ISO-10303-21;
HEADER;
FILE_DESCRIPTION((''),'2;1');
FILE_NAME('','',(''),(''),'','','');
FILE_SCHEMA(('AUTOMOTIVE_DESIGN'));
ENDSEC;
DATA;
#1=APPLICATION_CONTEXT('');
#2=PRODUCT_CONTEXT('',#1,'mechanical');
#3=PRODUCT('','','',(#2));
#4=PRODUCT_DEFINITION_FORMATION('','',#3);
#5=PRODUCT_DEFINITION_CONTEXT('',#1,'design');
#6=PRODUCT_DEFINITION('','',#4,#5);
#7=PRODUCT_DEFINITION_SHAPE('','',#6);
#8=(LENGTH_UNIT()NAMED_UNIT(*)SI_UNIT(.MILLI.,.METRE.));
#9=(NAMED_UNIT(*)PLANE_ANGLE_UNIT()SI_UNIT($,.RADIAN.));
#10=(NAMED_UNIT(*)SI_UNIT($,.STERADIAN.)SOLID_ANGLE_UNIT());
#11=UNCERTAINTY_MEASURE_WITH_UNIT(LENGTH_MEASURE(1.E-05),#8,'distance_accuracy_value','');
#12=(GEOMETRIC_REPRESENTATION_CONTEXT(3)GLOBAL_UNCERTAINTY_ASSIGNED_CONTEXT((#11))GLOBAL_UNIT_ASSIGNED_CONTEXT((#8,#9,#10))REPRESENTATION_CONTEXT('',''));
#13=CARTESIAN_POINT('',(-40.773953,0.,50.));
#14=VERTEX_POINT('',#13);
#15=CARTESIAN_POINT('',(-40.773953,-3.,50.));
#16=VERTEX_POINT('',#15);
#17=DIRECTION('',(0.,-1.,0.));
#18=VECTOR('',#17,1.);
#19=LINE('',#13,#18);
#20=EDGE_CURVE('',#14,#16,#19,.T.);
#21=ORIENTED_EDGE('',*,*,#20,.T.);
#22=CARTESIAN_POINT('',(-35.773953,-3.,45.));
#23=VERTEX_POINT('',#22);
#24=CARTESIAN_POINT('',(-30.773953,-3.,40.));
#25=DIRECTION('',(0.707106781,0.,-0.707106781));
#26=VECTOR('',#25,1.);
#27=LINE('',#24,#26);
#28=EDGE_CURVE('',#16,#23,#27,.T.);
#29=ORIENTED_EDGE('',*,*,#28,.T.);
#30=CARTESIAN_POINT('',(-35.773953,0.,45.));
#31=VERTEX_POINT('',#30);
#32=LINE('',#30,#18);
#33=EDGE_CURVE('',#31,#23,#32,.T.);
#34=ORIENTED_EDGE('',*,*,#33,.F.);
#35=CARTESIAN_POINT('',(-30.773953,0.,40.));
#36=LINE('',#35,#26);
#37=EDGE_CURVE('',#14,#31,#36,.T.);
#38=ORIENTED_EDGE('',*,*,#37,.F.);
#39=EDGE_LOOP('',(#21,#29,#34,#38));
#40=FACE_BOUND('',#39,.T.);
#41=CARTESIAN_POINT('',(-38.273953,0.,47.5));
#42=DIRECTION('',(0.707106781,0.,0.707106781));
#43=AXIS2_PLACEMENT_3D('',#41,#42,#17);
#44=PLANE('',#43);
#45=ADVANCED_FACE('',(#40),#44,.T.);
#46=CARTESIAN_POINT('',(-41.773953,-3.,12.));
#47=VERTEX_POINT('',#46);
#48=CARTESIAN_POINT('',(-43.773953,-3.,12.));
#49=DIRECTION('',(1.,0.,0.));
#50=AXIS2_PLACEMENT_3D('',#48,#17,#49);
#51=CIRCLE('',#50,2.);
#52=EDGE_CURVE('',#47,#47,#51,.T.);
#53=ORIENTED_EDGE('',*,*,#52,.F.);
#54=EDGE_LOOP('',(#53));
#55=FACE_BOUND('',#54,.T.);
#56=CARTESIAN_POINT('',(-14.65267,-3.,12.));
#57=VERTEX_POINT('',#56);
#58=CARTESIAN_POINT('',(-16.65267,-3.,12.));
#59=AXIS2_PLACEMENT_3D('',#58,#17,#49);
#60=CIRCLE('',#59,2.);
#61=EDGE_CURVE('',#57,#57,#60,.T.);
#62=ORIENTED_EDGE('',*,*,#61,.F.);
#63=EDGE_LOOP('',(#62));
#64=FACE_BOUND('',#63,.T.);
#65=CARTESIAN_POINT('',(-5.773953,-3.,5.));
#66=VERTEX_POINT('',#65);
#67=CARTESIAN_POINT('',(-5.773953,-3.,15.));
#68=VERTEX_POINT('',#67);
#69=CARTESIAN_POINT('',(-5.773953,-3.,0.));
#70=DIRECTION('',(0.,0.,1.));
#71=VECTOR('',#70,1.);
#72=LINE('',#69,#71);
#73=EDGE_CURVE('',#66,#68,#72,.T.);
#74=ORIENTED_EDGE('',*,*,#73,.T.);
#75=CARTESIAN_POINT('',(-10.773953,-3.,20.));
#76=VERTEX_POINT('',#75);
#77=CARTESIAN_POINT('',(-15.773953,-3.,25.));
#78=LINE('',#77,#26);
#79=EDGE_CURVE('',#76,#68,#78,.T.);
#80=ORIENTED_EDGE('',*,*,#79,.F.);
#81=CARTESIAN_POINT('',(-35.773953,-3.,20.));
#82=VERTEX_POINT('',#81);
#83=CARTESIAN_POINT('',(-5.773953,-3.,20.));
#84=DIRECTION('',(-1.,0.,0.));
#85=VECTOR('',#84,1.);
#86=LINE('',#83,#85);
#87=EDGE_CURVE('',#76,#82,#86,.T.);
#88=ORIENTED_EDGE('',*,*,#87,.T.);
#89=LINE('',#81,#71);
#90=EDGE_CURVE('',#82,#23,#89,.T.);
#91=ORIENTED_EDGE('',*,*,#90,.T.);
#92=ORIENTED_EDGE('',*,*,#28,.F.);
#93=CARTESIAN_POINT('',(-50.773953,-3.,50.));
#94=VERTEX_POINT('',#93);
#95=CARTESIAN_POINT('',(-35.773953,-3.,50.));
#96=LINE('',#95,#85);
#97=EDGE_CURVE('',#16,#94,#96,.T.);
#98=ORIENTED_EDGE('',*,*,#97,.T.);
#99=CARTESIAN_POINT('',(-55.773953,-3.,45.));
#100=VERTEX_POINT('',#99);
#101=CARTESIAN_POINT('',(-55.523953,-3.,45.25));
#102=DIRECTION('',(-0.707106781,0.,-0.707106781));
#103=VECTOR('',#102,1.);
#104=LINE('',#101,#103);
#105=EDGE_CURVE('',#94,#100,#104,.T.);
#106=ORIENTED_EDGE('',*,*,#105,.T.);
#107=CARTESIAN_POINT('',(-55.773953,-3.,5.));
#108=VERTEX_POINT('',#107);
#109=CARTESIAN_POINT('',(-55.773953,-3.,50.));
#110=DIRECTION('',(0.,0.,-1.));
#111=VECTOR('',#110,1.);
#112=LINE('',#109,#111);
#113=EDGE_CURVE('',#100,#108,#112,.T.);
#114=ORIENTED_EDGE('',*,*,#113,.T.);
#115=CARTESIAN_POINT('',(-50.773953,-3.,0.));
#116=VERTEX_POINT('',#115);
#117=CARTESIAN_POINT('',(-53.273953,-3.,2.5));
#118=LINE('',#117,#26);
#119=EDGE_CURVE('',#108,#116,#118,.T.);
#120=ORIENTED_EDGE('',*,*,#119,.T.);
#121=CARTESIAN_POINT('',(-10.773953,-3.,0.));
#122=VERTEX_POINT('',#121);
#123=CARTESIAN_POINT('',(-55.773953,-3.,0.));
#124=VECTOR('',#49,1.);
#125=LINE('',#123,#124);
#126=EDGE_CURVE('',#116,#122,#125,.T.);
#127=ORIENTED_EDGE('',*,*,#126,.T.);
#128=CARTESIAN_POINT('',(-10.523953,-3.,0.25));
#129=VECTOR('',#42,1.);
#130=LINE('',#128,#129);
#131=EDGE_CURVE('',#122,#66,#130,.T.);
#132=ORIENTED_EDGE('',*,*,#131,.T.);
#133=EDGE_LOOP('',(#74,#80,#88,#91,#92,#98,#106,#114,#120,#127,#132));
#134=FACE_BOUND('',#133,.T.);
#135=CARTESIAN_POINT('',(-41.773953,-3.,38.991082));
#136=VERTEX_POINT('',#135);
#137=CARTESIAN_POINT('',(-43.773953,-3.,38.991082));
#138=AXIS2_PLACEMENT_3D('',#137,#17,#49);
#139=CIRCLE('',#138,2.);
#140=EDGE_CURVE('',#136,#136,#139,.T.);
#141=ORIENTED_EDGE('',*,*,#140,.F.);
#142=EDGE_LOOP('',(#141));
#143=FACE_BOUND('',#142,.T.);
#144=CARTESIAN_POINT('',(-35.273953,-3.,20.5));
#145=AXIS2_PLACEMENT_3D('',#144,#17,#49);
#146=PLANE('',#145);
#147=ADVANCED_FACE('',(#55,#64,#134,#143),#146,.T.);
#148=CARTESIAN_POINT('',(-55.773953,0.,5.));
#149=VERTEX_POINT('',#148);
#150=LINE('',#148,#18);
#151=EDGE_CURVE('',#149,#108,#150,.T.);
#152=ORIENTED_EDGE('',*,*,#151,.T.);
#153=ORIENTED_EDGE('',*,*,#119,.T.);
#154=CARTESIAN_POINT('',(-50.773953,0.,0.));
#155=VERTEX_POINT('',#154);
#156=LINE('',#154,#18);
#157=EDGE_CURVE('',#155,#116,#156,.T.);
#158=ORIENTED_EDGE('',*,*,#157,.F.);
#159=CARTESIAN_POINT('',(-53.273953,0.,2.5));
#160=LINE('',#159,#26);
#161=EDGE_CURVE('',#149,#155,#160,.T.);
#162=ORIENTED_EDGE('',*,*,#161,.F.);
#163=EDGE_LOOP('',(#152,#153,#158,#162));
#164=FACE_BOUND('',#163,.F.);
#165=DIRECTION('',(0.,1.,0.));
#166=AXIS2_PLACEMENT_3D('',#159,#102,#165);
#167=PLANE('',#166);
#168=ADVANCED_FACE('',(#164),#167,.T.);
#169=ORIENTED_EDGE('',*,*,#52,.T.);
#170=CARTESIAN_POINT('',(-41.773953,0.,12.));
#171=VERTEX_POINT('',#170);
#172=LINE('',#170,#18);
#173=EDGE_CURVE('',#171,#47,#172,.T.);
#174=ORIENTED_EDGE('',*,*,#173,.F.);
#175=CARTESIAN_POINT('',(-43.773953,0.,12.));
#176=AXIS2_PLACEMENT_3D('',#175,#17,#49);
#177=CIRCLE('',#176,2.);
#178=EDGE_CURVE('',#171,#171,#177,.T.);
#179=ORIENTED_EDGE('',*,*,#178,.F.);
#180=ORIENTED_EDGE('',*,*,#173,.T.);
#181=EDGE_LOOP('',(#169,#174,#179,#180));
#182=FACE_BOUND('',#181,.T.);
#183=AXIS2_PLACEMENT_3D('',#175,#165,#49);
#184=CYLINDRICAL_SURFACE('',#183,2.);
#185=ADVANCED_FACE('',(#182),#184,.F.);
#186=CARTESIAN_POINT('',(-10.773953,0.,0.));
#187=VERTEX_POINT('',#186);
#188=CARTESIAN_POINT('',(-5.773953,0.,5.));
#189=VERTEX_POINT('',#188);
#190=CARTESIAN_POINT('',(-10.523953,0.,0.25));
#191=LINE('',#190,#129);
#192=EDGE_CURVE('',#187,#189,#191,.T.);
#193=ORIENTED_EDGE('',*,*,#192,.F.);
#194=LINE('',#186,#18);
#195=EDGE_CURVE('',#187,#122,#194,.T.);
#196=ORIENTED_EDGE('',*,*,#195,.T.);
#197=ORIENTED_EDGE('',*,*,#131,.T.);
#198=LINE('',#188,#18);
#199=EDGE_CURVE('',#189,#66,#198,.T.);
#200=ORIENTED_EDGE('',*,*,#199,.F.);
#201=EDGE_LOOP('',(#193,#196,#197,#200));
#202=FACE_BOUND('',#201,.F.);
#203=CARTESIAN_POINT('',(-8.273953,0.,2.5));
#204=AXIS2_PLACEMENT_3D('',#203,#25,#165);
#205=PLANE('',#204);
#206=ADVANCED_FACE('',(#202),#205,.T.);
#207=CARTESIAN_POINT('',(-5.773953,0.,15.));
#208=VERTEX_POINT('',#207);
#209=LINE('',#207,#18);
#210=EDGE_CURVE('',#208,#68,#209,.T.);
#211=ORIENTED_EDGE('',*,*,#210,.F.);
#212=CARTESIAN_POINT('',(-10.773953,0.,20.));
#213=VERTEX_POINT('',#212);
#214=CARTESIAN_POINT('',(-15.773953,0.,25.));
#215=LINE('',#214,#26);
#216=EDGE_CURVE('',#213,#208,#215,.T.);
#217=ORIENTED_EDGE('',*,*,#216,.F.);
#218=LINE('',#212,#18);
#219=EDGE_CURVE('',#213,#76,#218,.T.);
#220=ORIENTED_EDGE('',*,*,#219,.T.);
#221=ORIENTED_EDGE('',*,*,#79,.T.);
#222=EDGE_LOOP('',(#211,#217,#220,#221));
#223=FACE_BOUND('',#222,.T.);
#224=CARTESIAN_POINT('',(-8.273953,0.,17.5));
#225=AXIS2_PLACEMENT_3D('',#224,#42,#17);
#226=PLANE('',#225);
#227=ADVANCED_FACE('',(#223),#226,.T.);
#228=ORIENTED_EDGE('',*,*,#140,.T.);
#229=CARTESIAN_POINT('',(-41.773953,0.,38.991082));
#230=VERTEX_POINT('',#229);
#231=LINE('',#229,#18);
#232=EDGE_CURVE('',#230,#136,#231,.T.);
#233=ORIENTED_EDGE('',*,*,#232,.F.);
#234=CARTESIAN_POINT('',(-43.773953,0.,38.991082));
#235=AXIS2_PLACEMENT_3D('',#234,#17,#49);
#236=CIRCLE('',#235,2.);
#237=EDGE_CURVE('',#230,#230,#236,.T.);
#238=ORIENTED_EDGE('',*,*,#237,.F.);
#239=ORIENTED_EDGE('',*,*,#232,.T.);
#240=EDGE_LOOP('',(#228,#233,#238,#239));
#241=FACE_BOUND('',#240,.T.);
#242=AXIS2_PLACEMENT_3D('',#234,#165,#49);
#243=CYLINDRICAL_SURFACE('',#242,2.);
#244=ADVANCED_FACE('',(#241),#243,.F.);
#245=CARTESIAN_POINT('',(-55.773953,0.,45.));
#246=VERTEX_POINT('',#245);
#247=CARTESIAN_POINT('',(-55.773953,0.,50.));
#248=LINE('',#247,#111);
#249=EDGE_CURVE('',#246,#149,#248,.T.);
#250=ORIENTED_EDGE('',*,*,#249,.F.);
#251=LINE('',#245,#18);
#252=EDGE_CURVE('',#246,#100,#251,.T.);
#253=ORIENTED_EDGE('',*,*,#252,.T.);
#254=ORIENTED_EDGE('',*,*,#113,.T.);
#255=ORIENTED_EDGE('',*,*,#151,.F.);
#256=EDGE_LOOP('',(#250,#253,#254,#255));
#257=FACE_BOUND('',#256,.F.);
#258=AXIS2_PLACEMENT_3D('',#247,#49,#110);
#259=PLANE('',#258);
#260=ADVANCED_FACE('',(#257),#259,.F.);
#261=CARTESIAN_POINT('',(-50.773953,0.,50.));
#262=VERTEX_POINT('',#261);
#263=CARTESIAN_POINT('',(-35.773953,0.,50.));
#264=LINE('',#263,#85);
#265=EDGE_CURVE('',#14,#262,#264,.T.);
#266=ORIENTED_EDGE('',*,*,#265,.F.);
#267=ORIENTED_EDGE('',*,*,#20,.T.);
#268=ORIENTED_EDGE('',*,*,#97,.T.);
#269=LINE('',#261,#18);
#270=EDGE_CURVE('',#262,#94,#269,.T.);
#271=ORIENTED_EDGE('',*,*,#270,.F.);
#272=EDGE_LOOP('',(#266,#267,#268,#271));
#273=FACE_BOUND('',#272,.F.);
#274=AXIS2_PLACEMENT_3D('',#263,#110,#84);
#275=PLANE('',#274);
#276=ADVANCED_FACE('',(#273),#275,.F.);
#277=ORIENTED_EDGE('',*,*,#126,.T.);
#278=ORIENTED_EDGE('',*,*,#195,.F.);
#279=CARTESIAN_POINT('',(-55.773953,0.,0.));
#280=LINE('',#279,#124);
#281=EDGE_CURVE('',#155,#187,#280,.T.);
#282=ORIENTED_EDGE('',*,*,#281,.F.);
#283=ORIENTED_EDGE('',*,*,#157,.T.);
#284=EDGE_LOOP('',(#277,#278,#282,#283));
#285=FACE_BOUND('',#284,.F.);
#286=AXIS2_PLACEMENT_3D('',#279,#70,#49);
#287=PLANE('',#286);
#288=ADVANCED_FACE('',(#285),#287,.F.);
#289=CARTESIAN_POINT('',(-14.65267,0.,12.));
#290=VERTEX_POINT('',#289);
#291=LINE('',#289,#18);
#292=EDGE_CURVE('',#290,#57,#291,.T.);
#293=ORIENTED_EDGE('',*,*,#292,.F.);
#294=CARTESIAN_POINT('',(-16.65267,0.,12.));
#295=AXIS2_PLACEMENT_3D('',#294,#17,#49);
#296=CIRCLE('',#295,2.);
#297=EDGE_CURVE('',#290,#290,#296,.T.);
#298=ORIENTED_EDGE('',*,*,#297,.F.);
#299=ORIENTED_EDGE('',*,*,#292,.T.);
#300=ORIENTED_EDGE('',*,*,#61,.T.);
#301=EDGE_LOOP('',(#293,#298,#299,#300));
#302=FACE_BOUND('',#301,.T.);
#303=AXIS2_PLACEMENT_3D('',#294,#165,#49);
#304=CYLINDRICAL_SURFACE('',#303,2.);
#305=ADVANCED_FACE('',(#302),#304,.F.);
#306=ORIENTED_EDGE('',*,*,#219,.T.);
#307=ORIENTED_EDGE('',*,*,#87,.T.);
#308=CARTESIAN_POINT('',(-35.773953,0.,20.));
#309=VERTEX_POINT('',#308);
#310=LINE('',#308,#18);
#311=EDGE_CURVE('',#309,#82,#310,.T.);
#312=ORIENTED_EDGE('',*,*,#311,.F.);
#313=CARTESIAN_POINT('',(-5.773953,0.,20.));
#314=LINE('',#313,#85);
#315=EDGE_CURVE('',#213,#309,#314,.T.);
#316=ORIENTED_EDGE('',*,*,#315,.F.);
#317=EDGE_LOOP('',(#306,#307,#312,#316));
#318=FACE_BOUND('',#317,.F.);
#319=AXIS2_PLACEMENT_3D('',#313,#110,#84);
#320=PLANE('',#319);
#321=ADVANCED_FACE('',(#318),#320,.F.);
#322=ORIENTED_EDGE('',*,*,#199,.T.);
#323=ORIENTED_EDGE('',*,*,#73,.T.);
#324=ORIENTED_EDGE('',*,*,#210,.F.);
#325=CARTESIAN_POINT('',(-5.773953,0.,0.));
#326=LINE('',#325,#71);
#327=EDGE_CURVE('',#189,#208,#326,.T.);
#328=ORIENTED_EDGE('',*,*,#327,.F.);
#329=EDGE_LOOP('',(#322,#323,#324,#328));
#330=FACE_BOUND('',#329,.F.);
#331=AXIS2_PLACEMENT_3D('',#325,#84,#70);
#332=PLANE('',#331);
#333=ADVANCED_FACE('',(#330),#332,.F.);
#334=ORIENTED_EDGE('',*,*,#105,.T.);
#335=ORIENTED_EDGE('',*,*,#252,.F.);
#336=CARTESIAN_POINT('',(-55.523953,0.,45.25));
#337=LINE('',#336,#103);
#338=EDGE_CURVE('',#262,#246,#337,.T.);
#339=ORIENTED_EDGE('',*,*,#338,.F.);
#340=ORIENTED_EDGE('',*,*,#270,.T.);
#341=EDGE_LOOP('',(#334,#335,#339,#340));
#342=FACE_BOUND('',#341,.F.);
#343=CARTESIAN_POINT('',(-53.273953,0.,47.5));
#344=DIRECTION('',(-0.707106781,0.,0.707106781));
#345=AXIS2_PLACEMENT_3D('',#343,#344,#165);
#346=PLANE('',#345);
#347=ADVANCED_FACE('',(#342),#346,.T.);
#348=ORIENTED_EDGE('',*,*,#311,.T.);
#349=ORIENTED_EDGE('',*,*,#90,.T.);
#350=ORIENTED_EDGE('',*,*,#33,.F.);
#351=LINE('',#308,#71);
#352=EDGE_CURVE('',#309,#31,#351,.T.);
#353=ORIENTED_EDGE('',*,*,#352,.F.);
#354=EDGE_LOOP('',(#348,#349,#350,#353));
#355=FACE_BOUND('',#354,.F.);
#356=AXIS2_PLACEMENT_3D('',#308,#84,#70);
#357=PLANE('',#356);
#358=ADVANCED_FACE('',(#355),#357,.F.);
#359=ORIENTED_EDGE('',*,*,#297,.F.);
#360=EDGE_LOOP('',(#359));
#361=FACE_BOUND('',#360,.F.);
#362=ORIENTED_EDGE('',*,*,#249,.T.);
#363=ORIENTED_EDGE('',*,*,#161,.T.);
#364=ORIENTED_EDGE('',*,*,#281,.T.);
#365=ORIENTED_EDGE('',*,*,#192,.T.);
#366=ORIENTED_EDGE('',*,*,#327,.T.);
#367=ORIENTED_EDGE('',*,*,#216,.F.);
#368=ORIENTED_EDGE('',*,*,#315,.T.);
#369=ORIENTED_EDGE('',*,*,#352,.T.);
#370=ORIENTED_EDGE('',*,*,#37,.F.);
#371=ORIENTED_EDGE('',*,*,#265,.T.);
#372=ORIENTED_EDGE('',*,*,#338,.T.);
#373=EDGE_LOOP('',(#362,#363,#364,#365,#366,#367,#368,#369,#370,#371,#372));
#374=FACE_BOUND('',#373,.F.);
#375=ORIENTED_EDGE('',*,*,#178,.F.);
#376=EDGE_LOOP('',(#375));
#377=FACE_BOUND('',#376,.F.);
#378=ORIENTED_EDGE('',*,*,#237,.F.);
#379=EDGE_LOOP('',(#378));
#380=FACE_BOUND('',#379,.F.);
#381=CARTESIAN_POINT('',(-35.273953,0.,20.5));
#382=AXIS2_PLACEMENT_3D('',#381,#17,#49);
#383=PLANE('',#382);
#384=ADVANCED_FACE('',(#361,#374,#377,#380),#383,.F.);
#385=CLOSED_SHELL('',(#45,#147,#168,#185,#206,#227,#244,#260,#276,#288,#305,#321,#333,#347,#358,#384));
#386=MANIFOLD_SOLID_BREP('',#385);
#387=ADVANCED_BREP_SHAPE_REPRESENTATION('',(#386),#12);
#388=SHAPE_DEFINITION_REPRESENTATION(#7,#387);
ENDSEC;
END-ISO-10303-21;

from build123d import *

# Parameters (mm, degrees)
F0_R     = 2
F1_DEPTH = 3
F2_SIZE  = 5


with BuildPart() as f1:
    # F0 (on Front) → F1 (new body)
    with BuildSketch(Plane.XZ):
        Polygon((-35.773953, 50), (-55.773953, 50), (-55.773953, 0), (-5.773953, 0), (-5.773953, 20), (-35.773953, 20), align=None)
        with Locations((-43.773953, 12)):
            Circle(F0_R, mode=Mode.SUBTRACT)
        with Locations((-16.65267, 12)):
            Circle(F0_R, mode=Mode.SUBTRACT)
        with Locations((-43.773953, 38.991082)):
            Circle(F0_R, mode=Mode.SUBTRACT)
    extrude(amount=F1_DEPTH)

    # F2
    f2_edges = [f1.edges().sort_by_distance(p)[0] for p in [
        (-55.773953, -1.5, 50),
        (-35.773953, -1.5, 50),
        (-5.773953, -1.5, 20),
        (-5.773953, -1.5, 0),
        (-55.773953, -1.5, 0),
    ]]
    chamfer(f2_edges, length=F2_SIZE)


solid = f1.part
